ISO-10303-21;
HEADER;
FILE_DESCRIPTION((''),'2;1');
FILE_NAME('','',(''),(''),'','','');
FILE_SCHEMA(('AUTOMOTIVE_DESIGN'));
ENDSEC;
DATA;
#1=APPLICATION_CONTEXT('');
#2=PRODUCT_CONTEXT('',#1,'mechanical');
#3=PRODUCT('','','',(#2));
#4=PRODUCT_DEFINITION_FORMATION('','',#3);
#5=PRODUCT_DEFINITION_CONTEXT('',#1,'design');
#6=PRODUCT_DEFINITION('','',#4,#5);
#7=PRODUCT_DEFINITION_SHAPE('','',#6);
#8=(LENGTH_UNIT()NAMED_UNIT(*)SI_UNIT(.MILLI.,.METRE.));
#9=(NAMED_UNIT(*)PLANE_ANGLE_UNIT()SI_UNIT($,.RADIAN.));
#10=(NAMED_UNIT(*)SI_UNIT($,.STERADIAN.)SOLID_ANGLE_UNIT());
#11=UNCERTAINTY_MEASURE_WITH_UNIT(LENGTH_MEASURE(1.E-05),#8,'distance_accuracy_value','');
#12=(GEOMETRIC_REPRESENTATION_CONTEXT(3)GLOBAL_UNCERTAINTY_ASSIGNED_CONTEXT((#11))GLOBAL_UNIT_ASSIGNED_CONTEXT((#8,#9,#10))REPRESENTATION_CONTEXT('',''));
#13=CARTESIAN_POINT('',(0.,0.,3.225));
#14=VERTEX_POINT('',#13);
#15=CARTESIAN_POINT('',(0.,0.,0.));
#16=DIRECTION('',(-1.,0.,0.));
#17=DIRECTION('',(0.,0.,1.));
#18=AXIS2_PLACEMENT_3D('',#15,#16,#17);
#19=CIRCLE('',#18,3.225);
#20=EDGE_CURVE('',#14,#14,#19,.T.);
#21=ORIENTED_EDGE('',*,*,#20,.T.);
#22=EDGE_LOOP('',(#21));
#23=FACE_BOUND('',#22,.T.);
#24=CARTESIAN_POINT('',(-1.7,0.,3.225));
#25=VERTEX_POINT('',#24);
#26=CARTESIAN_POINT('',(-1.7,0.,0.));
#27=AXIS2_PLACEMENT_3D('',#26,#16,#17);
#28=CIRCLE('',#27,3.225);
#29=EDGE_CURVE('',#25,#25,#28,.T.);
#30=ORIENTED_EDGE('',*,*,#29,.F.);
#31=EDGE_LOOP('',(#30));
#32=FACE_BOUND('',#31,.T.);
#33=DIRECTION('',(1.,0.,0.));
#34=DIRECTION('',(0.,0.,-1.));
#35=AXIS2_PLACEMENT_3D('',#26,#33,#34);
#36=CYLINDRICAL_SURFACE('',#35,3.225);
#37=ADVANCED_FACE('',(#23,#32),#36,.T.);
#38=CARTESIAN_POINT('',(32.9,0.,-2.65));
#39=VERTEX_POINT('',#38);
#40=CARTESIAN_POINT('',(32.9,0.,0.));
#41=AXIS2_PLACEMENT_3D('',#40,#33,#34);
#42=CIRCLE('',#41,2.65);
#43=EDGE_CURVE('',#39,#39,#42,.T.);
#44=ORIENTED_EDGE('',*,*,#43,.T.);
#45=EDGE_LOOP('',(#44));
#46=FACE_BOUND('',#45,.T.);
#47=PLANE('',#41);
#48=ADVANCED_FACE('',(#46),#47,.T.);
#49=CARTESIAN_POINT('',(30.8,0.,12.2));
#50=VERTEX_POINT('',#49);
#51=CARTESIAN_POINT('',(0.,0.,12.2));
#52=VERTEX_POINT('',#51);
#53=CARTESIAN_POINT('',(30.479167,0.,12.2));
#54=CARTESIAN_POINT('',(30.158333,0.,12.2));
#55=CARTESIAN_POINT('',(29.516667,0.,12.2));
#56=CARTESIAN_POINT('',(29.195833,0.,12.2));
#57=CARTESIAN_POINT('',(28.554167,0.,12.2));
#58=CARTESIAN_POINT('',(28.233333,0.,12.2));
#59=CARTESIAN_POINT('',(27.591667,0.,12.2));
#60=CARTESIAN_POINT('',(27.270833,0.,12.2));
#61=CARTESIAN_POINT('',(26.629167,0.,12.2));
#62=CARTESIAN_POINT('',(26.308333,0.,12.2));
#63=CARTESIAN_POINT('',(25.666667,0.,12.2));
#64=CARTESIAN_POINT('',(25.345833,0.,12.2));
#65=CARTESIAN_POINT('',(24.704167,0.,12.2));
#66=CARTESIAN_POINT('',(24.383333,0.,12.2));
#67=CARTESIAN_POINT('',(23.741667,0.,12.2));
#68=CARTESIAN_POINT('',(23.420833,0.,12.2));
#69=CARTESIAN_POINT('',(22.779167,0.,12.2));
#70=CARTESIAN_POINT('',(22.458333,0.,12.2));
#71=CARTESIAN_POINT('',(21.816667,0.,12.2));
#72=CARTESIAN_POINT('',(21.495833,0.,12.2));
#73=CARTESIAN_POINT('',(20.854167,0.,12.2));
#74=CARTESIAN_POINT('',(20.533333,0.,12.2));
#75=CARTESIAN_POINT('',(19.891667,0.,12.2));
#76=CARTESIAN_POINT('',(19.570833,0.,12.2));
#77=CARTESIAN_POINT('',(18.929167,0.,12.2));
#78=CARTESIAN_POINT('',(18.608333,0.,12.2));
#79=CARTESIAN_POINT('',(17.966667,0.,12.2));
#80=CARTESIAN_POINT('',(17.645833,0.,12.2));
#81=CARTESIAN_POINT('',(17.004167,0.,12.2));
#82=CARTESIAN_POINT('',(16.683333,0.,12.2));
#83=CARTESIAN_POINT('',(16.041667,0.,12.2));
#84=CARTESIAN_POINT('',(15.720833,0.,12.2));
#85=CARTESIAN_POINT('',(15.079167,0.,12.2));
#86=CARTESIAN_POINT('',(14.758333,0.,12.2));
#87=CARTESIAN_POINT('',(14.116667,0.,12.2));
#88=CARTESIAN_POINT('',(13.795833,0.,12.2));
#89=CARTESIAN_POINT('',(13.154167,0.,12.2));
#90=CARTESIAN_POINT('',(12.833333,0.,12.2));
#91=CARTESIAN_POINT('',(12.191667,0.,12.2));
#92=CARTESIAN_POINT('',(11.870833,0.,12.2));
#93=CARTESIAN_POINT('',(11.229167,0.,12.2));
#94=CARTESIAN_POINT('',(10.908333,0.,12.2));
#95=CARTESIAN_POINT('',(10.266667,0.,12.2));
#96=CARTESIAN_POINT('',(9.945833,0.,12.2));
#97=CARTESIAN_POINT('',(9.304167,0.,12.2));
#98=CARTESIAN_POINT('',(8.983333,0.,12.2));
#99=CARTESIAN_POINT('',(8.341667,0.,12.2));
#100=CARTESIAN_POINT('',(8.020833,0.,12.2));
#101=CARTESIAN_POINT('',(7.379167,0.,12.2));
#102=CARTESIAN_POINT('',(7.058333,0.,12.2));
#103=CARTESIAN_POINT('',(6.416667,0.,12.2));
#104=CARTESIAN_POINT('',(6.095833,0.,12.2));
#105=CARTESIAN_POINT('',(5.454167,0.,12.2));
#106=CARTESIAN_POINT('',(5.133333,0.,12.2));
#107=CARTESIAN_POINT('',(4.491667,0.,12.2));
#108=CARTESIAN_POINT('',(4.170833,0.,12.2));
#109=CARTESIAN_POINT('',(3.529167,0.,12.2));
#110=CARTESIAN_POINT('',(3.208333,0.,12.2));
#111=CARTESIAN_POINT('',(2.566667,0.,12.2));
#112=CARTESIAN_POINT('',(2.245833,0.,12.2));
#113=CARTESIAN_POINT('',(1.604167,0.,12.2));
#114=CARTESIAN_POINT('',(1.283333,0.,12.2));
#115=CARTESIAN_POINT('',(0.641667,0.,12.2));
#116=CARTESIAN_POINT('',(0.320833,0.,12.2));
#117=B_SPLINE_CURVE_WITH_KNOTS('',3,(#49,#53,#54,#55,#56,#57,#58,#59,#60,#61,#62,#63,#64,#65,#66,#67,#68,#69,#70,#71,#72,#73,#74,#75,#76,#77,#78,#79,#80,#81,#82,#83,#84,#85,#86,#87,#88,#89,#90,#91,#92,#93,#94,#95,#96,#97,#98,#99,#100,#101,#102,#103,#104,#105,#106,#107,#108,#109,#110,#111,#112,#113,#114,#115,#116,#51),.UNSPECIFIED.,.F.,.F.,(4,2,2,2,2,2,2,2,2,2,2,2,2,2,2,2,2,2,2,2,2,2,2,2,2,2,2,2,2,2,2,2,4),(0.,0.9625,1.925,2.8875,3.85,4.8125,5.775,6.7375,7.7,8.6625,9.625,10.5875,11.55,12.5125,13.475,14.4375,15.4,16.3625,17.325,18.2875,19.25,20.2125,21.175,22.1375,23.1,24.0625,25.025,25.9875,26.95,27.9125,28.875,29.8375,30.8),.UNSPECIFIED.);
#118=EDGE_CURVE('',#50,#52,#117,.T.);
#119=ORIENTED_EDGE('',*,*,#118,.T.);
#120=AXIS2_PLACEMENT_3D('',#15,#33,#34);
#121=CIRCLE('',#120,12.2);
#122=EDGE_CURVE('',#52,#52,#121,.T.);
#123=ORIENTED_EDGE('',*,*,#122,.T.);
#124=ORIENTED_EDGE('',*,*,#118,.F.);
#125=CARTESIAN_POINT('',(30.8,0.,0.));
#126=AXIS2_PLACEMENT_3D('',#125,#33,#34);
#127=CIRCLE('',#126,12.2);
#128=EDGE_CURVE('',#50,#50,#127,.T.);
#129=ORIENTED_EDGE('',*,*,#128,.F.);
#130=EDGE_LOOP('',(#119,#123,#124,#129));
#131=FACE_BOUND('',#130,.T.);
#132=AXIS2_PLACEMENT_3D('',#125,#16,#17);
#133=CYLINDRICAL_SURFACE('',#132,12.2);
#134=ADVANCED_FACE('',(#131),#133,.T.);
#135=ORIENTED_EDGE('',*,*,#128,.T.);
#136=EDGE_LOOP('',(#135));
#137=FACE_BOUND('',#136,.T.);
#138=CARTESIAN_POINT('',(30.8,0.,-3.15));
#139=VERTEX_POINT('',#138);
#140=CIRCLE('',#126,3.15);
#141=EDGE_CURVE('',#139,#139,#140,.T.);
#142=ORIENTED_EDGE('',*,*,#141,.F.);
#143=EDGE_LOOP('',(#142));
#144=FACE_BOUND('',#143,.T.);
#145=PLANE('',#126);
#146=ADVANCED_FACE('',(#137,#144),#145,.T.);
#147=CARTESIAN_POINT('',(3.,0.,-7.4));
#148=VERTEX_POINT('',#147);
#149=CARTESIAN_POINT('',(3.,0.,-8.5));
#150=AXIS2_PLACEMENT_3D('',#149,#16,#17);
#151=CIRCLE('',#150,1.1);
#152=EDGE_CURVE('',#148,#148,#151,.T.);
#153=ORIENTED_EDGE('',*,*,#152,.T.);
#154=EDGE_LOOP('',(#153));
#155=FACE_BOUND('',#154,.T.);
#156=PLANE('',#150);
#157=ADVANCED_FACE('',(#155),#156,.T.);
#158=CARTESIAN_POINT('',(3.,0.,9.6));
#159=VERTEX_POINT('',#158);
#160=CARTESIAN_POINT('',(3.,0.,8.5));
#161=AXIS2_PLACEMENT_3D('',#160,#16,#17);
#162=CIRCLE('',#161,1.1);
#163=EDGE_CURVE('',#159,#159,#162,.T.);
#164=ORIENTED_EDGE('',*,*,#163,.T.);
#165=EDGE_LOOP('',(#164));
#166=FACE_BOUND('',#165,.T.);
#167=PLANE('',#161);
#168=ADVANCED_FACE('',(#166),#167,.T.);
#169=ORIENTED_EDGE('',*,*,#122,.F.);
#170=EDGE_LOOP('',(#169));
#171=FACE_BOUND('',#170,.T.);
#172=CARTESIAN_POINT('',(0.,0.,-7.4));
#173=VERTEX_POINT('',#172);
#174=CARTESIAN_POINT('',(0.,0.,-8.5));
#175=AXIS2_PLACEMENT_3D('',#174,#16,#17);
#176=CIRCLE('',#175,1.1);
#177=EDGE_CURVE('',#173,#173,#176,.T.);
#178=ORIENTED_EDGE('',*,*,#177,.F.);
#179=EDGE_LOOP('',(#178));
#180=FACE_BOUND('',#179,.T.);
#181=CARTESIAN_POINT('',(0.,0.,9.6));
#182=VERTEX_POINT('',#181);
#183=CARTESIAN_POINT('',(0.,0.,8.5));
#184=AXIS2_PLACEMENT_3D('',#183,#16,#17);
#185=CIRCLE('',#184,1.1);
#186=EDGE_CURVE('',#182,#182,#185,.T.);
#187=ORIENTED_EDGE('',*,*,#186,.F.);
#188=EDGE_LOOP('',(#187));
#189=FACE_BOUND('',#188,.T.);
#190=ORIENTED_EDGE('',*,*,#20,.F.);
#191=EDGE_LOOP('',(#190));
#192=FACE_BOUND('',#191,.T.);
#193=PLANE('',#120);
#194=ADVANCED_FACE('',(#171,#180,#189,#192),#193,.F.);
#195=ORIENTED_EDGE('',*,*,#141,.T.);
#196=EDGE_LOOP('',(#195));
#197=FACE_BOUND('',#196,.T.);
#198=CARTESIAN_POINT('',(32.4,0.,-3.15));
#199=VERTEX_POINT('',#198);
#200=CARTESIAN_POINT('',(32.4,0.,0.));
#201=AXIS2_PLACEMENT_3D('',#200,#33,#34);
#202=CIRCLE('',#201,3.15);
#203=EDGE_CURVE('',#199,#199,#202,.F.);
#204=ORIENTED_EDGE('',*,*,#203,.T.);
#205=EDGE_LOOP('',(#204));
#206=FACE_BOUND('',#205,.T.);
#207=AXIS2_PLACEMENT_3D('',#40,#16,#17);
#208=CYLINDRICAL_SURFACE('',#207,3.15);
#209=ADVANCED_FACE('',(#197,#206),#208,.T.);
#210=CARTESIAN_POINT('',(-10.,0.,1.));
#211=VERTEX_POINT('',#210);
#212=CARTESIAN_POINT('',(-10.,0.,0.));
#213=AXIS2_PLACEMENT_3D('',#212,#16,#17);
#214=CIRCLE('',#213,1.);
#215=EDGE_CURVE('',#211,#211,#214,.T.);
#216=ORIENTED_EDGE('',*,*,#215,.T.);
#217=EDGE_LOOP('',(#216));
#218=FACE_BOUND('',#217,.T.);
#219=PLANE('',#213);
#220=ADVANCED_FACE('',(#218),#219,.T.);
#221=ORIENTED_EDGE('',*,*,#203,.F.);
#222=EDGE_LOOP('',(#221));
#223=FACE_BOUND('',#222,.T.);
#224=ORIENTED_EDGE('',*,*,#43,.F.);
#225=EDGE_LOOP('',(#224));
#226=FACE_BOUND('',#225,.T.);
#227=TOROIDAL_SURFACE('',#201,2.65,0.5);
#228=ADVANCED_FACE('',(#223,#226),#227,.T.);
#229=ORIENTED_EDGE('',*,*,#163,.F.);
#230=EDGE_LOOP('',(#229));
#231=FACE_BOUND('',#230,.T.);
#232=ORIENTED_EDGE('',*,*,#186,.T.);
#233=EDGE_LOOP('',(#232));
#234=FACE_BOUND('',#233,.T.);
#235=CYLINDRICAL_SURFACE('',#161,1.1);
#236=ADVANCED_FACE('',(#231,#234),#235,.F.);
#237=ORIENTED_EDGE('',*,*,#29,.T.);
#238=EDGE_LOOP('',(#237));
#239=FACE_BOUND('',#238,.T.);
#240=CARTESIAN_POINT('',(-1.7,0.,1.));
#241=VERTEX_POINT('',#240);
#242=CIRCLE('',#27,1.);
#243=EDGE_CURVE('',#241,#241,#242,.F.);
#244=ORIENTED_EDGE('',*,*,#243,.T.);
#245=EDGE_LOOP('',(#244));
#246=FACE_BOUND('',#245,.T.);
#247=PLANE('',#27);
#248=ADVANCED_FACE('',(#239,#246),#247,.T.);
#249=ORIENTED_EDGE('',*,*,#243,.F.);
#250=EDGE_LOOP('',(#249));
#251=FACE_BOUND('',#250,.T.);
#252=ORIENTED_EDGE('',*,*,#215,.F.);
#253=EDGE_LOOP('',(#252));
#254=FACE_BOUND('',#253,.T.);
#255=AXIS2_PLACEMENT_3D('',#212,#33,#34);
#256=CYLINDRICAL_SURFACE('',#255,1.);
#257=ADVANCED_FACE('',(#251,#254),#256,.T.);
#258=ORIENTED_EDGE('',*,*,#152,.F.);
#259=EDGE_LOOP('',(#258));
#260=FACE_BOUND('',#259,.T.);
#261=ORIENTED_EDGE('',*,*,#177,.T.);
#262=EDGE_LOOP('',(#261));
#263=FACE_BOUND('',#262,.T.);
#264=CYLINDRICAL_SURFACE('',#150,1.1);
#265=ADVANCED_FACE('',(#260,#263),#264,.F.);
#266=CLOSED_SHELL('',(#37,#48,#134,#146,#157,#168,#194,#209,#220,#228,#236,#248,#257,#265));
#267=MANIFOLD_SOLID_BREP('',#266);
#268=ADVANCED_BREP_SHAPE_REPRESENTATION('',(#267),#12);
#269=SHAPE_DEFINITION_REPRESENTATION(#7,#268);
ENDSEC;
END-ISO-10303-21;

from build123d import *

# Parameters (mm, degrees)
SKETCH_1_R          = 12.2
EXTRUDE_1_DEPTH     = 30.8
SKETCH_3_R          = 3.15
EXTRUDE_2_DEPTH     = 2.1
FILLET_1_R          = 0.5
SKETCH_4_R          = 3.225
EXTRUDE_3_DEPTH     = 1.7
SKETCH_6_R          = 1
EXTRUDE_4_DEPTH     = 10
SKETCH_7_R          = 1.1
CUT_EXTRUDE_2_DEPTH = 3


with BuildPart() as part:
    # 草图1 → 凸台-拉伸1 (new body)
    with BuildSketch(Plane(origin=(0, 0, 0), x_dir=(0, 0, -1), z_dir=(1, 0, 0))):
        with Locations(Location((0, 0, 0), (0, 0, 180))):
            Circle(SKETCH_1_R)
    extrude(amount=EXTRUDE_1_DEPTH)

    # 草图3 → 凸台-拉伸2 (add)
    with BuildSketch(Plane(origin=(30.8, 0, 0), x_dir=(0, 0, -1), z_dir=(1, 0, 0))):
        Circle(SKETCH_3_R)
    extrude(amount=EXTRUDE_2_DEPTH)

    # 圆角1
    fillet_1_edges = [part.edges().sort_by_distance(p)[0] for p in [
        (32.9, 0, 3.15),
    ]]
    fillet(fillet_1_edges, radius=FILLET_1_R)

    # 草图4 → 凸台-拉伸3 (add)
    with BuildSketch(Plane.ZY):
        Circle(SKETCH_4_R)
    extrude(amount=EXTRUDE_3_DEPTH)

    # 草图6 → 凸台-拉伸4 (add)
    with BuildSketch(Plane.ZY):
        Circle(SKETCH_6_R)
    extrude(amount=EXTRUDE_4_DEPTH)

    # 草图7 → 切除-拉伸2 (cut)
    with BuildSketch(Plane.ZY):
        with Locations((8.5, 0)):
            Circle(SKETCH_7_R)
        with Locations((-8.5, 0)):
            Circle(SKETCH_7_R)
    extrude(amount=-CUT_EXTRUDE_2_DEPTH, mode=Mode.SUBTRACT)


solid = part.part
